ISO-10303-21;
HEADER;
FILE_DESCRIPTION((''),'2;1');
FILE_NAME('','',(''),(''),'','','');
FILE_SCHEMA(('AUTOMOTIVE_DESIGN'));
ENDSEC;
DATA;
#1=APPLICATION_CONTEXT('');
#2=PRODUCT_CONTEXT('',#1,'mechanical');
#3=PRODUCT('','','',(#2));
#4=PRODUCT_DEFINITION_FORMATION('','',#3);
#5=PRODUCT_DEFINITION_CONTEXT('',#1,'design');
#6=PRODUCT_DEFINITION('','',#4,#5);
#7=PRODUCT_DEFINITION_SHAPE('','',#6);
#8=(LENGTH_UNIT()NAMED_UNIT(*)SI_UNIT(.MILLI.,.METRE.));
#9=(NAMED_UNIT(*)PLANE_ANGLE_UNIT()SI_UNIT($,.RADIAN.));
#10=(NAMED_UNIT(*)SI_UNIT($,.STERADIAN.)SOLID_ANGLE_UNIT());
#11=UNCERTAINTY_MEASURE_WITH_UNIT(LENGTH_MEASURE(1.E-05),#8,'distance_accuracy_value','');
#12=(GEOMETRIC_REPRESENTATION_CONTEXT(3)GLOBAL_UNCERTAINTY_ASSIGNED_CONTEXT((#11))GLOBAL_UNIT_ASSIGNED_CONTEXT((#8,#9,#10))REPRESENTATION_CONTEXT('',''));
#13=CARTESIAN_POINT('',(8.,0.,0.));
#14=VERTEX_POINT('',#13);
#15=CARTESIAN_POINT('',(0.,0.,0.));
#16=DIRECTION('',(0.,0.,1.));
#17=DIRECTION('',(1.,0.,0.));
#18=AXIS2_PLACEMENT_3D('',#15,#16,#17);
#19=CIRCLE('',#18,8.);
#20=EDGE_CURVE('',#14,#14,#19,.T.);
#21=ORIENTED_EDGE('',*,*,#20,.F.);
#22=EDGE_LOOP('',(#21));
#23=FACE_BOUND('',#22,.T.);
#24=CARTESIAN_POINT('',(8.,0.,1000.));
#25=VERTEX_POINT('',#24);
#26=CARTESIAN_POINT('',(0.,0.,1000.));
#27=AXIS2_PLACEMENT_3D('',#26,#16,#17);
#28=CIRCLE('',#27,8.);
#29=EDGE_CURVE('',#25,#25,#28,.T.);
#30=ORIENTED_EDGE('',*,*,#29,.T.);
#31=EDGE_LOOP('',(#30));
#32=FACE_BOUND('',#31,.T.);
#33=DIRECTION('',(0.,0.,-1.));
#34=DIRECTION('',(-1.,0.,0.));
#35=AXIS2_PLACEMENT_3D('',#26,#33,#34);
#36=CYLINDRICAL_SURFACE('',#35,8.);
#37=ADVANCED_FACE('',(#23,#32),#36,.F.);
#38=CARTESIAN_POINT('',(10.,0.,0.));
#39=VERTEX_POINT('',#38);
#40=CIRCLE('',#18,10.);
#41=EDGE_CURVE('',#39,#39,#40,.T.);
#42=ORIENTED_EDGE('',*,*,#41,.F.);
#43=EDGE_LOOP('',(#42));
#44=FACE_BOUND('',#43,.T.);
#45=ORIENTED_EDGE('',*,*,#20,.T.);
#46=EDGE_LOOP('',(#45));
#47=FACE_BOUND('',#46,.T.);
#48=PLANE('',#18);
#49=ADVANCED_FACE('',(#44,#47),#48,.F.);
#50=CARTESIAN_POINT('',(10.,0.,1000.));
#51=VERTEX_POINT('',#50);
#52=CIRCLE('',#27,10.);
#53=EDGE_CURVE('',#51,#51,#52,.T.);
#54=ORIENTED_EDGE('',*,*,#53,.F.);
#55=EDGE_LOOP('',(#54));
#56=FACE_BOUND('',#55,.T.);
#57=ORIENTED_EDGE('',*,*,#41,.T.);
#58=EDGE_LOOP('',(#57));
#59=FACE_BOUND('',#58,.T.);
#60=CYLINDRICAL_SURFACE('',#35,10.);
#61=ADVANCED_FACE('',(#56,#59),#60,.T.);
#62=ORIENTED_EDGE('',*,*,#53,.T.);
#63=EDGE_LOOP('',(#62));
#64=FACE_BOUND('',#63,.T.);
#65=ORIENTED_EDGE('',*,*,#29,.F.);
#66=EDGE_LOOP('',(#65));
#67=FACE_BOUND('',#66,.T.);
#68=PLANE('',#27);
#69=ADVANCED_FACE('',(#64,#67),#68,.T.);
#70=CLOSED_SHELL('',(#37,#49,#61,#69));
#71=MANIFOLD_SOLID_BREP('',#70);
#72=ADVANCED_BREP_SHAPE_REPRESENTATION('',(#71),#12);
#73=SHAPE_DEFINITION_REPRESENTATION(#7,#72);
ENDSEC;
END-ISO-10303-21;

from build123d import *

# Parameters (mm, degrees)
SCHIZZO1_R                   = 10
SCHIZZO1_R_2                 = 8
ESTRUSIONE_ESTRUSIONE1_DEPTH = 1000


with BuildPart() as part:
    # Schizzo1 → Estrusione-Estrusione1 (new body)
    with BuildSketch(Plane.XY):
        Circle(SCHIZZO1_R)
        Circle(SCHIZZO1_R_2, mode=Mode.SUBTRACT)
    extrude(amount=ESTRUSIONE_ESTRUSIONE1_DEPTH)


solid = part.part
